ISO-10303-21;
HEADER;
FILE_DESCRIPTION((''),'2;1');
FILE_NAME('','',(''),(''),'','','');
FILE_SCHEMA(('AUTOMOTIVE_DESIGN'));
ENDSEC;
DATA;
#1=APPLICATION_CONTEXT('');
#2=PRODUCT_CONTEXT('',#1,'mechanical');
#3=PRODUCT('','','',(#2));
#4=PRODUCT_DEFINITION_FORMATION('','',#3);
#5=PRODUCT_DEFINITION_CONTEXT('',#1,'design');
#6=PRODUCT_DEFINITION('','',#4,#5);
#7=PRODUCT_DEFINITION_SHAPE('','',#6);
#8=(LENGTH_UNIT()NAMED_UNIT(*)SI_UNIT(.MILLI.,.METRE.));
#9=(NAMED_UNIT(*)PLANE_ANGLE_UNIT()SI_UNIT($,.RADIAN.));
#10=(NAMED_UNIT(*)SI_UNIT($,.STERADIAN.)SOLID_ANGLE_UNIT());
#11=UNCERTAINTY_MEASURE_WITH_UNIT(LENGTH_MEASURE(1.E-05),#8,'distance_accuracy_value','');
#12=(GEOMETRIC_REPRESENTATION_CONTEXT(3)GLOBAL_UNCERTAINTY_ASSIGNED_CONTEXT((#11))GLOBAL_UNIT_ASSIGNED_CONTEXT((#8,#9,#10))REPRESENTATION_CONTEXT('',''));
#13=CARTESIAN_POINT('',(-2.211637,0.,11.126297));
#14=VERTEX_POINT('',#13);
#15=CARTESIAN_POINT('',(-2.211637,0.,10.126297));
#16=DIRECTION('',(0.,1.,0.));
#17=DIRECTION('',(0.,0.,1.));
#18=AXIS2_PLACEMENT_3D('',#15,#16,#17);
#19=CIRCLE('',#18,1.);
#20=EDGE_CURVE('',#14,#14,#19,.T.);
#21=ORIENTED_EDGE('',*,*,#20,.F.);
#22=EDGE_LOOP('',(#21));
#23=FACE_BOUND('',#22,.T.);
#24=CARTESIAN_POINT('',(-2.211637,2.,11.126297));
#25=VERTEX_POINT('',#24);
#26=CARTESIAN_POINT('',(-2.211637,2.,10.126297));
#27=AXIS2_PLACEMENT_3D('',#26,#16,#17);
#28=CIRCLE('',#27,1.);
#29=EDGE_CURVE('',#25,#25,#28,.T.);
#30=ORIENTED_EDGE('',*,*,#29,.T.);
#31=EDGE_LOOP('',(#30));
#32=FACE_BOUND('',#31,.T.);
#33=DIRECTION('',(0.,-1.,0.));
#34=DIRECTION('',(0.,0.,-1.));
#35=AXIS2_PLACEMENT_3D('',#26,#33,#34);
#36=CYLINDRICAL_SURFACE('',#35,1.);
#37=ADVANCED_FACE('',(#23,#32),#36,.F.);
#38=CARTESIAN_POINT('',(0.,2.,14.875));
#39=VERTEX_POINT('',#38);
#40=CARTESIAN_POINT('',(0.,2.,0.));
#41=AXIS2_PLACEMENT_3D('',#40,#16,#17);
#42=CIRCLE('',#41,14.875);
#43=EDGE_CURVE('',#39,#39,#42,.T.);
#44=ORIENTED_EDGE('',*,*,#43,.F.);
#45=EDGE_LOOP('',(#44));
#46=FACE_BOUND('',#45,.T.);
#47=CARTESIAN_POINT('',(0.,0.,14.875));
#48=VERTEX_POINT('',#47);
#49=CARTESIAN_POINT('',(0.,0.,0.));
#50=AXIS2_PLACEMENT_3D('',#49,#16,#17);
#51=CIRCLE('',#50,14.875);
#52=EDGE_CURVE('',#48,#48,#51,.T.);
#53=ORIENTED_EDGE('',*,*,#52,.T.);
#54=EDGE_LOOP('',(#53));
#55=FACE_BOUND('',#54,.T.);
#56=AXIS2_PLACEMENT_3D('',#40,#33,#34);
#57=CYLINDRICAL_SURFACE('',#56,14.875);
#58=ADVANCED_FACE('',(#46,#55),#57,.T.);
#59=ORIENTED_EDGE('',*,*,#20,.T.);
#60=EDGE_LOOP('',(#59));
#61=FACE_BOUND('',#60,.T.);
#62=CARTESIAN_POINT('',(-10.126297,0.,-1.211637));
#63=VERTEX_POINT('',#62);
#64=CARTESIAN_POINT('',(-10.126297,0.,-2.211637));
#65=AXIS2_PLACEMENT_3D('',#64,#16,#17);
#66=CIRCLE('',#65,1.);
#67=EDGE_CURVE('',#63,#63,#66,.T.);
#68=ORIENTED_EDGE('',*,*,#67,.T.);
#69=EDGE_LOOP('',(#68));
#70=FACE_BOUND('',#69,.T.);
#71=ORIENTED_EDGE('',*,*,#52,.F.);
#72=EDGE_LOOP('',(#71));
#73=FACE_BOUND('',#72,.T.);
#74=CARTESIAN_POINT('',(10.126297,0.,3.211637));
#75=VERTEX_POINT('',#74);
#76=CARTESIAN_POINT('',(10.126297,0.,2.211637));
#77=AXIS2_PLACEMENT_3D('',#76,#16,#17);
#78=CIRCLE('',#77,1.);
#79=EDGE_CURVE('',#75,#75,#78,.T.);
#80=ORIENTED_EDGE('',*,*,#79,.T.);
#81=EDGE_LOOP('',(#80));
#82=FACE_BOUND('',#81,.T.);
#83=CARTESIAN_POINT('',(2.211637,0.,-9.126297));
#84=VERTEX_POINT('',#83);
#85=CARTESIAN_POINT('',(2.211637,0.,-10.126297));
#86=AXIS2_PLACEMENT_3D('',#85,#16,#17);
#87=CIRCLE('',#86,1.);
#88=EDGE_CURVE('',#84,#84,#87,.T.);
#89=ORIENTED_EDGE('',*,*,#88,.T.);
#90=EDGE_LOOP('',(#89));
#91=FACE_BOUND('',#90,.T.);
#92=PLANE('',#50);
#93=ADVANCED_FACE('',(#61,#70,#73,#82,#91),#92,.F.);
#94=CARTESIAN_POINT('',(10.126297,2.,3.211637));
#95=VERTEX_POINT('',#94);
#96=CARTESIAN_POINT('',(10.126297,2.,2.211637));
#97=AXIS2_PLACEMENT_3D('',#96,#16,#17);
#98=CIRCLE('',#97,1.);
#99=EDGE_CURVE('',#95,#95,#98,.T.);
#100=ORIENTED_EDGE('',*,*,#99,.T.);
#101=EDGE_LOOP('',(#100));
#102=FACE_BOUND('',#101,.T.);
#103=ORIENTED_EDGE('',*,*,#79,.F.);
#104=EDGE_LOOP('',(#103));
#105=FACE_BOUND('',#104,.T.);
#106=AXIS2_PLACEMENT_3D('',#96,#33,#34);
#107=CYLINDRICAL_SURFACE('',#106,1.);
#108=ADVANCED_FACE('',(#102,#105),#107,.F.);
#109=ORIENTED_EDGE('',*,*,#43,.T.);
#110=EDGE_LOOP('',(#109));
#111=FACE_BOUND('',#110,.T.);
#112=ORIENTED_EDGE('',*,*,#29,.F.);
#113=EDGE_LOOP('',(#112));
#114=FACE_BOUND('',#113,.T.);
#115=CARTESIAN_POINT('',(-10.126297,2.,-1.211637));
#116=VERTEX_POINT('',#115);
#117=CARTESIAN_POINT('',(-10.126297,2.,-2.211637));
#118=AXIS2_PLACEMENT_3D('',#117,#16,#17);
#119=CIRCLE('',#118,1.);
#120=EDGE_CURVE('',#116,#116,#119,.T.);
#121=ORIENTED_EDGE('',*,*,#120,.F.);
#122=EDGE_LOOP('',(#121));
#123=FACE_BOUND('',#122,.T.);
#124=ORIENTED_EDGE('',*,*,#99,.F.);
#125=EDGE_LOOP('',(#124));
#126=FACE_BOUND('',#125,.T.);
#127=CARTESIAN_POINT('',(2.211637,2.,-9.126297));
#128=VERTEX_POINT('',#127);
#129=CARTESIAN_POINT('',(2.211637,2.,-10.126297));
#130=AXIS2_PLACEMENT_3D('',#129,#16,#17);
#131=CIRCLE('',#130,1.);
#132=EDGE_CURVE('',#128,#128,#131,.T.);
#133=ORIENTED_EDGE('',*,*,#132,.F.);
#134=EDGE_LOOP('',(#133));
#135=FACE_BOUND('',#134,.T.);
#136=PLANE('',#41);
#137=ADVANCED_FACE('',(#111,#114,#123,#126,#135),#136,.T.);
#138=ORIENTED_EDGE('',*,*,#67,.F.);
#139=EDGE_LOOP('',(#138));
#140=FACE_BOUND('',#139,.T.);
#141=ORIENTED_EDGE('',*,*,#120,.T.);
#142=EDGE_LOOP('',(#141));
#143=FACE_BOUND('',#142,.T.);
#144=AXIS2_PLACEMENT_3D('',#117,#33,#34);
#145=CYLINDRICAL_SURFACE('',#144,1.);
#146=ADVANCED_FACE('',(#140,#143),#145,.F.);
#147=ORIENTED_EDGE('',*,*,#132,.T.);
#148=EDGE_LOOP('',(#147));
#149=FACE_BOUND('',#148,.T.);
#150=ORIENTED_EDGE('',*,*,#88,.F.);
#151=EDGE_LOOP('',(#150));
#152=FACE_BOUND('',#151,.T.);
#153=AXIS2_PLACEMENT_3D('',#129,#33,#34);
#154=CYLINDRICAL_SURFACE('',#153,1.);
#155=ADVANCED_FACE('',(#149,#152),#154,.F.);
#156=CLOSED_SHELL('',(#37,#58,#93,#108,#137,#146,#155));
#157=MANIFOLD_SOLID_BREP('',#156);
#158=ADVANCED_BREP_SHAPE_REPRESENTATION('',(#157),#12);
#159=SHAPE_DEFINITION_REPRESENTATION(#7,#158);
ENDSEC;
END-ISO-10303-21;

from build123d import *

# Parameters (mm, degrees)
SKETCH1_R           = 14.875
SKETCH1_R_2         = 1
BOSS_EXTRUDE1_DEPTH = 2


with BuildPart() as part:
    # Sketch1 → Boss-Extrude1 (new body)
    with BuildSketch(Plane(origin=(0, 0, 0), x_dir=(1, 0, 0), z_dir=(0, 1, 0))):
        with Locations(Location((0, 0, 0), (0, 0, 270))):
            Circle(SKETCH1_R)
        with Locations(Location((2.211637479, 10.12629669, 0), (0, 0, 270))):
            Circle(SKETCH1_R_2, mode=Mode.SUBTRACT)
        with Locations(Location((10.12629669, -2.211637479, 0), (0, 0, 270))):
            Circle(SKETCH1_R_2, mode=Mode.SUBTRACT)
        with Locations(Location((-2.211637479, -10.12629669, 0), (0, 0, 270))):
            Circle(SKETCH1_R_2, mode=Mode.SUBTRACT)
        with Locations(Location((-10.12629669, 2.211637479, 0), (0, 0, 270))):
            Circle(SKETCH1_R_2, mode=Mode.SUBTRACT)
    extrude(amount=BOSS_EXTRUDE1_DEPTH)


solid = part.part
